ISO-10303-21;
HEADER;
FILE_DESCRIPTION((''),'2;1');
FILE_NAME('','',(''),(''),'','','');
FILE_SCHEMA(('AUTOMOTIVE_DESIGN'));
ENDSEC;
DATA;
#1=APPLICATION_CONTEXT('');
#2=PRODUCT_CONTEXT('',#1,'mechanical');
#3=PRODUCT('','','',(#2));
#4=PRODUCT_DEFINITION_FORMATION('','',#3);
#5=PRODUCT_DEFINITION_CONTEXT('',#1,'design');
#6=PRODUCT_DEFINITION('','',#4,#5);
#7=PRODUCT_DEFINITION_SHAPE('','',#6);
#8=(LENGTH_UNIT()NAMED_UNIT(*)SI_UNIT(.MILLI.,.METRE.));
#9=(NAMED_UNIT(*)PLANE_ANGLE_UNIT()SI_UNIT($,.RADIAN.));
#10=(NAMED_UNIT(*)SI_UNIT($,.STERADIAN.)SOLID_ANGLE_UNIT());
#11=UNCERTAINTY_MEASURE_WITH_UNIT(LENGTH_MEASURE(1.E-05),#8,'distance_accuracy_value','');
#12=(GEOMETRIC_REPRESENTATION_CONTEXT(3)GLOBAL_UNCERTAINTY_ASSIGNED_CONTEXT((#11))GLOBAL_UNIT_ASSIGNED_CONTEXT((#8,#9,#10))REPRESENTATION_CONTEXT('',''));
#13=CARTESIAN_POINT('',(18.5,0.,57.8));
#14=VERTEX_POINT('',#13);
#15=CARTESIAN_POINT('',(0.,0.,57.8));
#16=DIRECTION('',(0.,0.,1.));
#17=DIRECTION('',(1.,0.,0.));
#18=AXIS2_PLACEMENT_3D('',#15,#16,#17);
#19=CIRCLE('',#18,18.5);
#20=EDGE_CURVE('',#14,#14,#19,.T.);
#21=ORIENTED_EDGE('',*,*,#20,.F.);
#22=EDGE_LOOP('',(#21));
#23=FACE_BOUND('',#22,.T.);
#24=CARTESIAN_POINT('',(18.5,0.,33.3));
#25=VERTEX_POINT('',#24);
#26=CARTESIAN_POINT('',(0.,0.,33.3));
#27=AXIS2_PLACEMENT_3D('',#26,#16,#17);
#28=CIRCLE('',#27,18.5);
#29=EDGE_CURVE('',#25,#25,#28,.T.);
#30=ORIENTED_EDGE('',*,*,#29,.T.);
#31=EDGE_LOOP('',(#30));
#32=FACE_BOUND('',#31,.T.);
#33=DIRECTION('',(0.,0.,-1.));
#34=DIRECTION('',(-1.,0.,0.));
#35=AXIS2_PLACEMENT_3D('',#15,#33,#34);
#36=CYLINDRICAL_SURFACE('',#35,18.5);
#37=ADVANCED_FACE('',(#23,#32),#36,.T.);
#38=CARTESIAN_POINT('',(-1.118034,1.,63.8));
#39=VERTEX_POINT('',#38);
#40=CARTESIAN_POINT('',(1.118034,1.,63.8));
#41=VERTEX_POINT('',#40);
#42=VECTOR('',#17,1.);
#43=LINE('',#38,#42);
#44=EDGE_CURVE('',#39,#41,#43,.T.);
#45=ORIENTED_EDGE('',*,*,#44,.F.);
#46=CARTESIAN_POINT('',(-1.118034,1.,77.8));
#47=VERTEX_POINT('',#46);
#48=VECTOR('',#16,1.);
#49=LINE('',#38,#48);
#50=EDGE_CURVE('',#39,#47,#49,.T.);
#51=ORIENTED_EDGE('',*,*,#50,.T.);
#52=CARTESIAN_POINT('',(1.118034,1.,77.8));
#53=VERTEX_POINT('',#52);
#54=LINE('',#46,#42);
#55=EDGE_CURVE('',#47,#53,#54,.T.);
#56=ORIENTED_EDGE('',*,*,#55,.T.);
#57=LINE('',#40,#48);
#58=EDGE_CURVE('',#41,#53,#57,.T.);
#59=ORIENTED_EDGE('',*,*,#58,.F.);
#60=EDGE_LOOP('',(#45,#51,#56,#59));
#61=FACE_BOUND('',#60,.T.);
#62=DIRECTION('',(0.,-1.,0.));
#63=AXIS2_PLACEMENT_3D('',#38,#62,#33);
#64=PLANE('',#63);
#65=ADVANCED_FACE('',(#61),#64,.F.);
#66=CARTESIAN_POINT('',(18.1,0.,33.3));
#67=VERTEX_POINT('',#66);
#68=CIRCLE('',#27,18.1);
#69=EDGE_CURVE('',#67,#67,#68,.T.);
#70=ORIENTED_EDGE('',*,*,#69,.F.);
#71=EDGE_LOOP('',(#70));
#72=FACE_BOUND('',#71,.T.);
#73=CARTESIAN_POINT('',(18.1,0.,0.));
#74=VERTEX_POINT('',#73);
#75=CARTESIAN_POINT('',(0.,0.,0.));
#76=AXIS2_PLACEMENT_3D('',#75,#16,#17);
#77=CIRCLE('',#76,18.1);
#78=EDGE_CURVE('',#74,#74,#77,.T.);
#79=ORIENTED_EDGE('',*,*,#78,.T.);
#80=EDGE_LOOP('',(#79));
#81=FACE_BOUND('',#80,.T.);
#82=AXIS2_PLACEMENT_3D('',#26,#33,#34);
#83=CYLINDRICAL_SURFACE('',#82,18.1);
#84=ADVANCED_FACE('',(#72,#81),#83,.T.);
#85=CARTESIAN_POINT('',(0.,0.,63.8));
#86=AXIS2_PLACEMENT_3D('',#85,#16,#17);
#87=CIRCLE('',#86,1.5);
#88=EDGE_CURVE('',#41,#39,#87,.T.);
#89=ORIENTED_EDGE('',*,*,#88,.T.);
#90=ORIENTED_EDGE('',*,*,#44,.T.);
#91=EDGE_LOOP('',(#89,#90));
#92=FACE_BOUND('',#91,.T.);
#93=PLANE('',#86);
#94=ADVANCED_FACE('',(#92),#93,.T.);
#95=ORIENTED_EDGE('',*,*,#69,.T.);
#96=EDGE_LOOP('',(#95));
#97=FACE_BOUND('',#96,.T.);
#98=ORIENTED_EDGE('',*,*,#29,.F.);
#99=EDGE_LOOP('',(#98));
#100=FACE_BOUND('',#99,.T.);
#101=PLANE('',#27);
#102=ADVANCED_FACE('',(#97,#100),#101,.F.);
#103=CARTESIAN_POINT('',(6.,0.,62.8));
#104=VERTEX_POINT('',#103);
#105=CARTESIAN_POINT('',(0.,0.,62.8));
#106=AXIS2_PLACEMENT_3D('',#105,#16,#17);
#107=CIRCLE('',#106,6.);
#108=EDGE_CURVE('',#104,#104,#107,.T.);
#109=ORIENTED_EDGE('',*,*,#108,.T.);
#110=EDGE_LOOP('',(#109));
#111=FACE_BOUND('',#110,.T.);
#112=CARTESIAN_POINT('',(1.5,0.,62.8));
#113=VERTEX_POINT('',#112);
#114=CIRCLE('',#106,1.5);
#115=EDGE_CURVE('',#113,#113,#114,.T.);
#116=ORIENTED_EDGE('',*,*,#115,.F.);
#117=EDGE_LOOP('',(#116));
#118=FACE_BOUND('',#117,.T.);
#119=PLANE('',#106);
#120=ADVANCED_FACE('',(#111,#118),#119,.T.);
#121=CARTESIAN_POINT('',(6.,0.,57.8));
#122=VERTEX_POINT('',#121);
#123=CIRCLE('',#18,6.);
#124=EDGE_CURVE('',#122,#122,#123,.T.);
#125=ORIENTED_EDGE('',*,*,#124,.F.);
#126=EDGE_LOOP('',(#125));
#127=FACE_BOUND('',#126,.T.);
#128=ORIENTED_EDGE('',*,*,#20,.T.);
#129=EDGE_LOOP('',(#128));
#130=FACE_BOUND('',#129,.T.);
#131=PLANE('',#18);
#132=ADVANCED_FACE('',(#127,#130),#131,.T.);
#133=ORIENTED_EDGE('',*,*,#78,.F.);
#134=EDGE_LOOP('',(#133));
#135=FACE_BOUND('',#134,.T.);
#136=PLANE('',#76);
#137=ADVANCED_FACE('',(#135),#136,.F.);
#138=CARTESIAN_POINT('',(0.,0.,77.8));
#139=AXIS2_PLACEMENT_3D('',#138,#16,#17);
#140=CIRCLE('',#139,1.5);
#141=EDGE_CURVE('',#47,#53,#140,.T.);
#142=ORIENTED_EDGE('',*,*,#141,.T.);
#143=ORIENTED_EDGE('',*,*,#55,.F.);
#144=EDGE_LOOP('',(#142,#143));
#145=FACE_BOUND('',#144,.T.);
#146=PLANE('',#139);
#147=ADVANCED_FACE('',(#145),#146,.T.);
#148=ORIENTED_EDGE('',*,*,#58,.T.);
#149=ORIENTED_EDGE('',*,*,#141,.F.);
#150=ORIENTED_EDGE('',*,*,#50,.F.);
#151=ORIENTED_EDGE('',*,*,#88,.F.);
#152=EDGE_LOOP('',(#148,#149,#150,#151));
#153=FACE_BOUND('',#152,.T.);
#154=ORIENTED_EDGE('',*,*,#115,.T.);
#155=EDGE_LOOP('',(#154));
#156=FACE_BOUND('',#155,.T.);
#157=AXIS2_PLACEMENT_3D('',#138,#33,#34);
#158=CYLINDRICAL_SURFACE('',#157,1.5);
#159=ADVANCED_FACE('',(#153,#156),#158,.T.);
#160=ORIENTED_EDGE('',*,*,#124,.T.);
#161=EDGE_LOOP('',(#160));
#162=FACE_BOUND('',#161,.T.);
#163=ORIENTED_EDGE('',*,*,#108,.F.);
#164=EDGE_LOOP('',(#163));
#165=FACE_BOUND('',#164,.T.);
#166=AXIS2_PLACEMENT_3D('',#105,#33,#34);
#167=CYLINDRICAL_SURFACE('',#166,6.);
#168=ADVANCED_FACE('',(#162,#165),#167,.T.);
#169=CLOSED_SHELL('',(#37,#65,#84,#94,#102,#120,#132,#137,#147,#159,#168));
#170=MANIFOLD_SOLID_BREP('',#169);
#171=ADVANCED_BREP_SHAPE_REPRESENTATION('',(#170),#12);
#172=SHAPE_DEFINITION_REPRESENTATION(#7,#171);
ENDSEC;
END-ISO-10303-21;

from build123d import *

# Parameters (mm, degrees)
SKETCH1_R           = 18.099999995
BOSS_EXTRUDE1_DEPTH = 33.3
SKETCH2_R           = 18.5
BOSS_EXTRUDE2_DEPTH = 24.5
SKETCH3_R           = 5.999999938
BOSS_EXTRUDE3_DEPTH = 5
SKETCH4_R           = 1.500000048
BOSS_EXTRUDE4_DEPTH = 15
CUT_EXTRUDE2_START  = -14
CUT_EXTRUDE2_DEPTH  = 14


with BuildPart() as part:
    # Sketch1 → Boss-Extrude1 (new body)
    with BuildSketch(Plane.XY):
        Circle(SKETCH1_R)
    extrude(amount=BOSS_EXTRUDE1_DEPTH)

    # Sketch2 → Boss-Extrude2 (add)
    with BuildSketch(Plane.XY.offset(33.3)):
        Circle(SKETCH2_R)
    extrude(amount=BOSS_EXTRUDE2_DEPTH)

    # Sketch3 → Boss-Extrude3 (add)
    with BuildSketch(Plane.XY.offset(57.8)):
        Circle(SKETCH3_R)
    extrude(amount=BOSS_EXTRUDE3_DEPTH)

    # Sketch4 → Boss-Extrude4 (add)
    with BuildSketch(Plane.XY.offset(62.8)):
        Circle(SKETCH4_R)
    extrude(amount=BOSS_EXTRUDE4_DEPTH)

    # Sketch8 → Cut-Extrude2 (cut)
    with BuildSketch(Plane.XY.offset(77.8).offset(CUT_EXTRUDE2_START)):
        with BuildLine():
            Line((-1.118034025, 1.000000032), (1.118034025, 1.000000032))
            ThreePointArc((1.118034025, 1.000000032), (0, 1.500000048), (-1.118034025, 1.000000032))
        make_face()
    extrude(amount=CUT_EXTRUDE2_DEPTH, mode=Mode.SUBTRACT)


solid = part.part
